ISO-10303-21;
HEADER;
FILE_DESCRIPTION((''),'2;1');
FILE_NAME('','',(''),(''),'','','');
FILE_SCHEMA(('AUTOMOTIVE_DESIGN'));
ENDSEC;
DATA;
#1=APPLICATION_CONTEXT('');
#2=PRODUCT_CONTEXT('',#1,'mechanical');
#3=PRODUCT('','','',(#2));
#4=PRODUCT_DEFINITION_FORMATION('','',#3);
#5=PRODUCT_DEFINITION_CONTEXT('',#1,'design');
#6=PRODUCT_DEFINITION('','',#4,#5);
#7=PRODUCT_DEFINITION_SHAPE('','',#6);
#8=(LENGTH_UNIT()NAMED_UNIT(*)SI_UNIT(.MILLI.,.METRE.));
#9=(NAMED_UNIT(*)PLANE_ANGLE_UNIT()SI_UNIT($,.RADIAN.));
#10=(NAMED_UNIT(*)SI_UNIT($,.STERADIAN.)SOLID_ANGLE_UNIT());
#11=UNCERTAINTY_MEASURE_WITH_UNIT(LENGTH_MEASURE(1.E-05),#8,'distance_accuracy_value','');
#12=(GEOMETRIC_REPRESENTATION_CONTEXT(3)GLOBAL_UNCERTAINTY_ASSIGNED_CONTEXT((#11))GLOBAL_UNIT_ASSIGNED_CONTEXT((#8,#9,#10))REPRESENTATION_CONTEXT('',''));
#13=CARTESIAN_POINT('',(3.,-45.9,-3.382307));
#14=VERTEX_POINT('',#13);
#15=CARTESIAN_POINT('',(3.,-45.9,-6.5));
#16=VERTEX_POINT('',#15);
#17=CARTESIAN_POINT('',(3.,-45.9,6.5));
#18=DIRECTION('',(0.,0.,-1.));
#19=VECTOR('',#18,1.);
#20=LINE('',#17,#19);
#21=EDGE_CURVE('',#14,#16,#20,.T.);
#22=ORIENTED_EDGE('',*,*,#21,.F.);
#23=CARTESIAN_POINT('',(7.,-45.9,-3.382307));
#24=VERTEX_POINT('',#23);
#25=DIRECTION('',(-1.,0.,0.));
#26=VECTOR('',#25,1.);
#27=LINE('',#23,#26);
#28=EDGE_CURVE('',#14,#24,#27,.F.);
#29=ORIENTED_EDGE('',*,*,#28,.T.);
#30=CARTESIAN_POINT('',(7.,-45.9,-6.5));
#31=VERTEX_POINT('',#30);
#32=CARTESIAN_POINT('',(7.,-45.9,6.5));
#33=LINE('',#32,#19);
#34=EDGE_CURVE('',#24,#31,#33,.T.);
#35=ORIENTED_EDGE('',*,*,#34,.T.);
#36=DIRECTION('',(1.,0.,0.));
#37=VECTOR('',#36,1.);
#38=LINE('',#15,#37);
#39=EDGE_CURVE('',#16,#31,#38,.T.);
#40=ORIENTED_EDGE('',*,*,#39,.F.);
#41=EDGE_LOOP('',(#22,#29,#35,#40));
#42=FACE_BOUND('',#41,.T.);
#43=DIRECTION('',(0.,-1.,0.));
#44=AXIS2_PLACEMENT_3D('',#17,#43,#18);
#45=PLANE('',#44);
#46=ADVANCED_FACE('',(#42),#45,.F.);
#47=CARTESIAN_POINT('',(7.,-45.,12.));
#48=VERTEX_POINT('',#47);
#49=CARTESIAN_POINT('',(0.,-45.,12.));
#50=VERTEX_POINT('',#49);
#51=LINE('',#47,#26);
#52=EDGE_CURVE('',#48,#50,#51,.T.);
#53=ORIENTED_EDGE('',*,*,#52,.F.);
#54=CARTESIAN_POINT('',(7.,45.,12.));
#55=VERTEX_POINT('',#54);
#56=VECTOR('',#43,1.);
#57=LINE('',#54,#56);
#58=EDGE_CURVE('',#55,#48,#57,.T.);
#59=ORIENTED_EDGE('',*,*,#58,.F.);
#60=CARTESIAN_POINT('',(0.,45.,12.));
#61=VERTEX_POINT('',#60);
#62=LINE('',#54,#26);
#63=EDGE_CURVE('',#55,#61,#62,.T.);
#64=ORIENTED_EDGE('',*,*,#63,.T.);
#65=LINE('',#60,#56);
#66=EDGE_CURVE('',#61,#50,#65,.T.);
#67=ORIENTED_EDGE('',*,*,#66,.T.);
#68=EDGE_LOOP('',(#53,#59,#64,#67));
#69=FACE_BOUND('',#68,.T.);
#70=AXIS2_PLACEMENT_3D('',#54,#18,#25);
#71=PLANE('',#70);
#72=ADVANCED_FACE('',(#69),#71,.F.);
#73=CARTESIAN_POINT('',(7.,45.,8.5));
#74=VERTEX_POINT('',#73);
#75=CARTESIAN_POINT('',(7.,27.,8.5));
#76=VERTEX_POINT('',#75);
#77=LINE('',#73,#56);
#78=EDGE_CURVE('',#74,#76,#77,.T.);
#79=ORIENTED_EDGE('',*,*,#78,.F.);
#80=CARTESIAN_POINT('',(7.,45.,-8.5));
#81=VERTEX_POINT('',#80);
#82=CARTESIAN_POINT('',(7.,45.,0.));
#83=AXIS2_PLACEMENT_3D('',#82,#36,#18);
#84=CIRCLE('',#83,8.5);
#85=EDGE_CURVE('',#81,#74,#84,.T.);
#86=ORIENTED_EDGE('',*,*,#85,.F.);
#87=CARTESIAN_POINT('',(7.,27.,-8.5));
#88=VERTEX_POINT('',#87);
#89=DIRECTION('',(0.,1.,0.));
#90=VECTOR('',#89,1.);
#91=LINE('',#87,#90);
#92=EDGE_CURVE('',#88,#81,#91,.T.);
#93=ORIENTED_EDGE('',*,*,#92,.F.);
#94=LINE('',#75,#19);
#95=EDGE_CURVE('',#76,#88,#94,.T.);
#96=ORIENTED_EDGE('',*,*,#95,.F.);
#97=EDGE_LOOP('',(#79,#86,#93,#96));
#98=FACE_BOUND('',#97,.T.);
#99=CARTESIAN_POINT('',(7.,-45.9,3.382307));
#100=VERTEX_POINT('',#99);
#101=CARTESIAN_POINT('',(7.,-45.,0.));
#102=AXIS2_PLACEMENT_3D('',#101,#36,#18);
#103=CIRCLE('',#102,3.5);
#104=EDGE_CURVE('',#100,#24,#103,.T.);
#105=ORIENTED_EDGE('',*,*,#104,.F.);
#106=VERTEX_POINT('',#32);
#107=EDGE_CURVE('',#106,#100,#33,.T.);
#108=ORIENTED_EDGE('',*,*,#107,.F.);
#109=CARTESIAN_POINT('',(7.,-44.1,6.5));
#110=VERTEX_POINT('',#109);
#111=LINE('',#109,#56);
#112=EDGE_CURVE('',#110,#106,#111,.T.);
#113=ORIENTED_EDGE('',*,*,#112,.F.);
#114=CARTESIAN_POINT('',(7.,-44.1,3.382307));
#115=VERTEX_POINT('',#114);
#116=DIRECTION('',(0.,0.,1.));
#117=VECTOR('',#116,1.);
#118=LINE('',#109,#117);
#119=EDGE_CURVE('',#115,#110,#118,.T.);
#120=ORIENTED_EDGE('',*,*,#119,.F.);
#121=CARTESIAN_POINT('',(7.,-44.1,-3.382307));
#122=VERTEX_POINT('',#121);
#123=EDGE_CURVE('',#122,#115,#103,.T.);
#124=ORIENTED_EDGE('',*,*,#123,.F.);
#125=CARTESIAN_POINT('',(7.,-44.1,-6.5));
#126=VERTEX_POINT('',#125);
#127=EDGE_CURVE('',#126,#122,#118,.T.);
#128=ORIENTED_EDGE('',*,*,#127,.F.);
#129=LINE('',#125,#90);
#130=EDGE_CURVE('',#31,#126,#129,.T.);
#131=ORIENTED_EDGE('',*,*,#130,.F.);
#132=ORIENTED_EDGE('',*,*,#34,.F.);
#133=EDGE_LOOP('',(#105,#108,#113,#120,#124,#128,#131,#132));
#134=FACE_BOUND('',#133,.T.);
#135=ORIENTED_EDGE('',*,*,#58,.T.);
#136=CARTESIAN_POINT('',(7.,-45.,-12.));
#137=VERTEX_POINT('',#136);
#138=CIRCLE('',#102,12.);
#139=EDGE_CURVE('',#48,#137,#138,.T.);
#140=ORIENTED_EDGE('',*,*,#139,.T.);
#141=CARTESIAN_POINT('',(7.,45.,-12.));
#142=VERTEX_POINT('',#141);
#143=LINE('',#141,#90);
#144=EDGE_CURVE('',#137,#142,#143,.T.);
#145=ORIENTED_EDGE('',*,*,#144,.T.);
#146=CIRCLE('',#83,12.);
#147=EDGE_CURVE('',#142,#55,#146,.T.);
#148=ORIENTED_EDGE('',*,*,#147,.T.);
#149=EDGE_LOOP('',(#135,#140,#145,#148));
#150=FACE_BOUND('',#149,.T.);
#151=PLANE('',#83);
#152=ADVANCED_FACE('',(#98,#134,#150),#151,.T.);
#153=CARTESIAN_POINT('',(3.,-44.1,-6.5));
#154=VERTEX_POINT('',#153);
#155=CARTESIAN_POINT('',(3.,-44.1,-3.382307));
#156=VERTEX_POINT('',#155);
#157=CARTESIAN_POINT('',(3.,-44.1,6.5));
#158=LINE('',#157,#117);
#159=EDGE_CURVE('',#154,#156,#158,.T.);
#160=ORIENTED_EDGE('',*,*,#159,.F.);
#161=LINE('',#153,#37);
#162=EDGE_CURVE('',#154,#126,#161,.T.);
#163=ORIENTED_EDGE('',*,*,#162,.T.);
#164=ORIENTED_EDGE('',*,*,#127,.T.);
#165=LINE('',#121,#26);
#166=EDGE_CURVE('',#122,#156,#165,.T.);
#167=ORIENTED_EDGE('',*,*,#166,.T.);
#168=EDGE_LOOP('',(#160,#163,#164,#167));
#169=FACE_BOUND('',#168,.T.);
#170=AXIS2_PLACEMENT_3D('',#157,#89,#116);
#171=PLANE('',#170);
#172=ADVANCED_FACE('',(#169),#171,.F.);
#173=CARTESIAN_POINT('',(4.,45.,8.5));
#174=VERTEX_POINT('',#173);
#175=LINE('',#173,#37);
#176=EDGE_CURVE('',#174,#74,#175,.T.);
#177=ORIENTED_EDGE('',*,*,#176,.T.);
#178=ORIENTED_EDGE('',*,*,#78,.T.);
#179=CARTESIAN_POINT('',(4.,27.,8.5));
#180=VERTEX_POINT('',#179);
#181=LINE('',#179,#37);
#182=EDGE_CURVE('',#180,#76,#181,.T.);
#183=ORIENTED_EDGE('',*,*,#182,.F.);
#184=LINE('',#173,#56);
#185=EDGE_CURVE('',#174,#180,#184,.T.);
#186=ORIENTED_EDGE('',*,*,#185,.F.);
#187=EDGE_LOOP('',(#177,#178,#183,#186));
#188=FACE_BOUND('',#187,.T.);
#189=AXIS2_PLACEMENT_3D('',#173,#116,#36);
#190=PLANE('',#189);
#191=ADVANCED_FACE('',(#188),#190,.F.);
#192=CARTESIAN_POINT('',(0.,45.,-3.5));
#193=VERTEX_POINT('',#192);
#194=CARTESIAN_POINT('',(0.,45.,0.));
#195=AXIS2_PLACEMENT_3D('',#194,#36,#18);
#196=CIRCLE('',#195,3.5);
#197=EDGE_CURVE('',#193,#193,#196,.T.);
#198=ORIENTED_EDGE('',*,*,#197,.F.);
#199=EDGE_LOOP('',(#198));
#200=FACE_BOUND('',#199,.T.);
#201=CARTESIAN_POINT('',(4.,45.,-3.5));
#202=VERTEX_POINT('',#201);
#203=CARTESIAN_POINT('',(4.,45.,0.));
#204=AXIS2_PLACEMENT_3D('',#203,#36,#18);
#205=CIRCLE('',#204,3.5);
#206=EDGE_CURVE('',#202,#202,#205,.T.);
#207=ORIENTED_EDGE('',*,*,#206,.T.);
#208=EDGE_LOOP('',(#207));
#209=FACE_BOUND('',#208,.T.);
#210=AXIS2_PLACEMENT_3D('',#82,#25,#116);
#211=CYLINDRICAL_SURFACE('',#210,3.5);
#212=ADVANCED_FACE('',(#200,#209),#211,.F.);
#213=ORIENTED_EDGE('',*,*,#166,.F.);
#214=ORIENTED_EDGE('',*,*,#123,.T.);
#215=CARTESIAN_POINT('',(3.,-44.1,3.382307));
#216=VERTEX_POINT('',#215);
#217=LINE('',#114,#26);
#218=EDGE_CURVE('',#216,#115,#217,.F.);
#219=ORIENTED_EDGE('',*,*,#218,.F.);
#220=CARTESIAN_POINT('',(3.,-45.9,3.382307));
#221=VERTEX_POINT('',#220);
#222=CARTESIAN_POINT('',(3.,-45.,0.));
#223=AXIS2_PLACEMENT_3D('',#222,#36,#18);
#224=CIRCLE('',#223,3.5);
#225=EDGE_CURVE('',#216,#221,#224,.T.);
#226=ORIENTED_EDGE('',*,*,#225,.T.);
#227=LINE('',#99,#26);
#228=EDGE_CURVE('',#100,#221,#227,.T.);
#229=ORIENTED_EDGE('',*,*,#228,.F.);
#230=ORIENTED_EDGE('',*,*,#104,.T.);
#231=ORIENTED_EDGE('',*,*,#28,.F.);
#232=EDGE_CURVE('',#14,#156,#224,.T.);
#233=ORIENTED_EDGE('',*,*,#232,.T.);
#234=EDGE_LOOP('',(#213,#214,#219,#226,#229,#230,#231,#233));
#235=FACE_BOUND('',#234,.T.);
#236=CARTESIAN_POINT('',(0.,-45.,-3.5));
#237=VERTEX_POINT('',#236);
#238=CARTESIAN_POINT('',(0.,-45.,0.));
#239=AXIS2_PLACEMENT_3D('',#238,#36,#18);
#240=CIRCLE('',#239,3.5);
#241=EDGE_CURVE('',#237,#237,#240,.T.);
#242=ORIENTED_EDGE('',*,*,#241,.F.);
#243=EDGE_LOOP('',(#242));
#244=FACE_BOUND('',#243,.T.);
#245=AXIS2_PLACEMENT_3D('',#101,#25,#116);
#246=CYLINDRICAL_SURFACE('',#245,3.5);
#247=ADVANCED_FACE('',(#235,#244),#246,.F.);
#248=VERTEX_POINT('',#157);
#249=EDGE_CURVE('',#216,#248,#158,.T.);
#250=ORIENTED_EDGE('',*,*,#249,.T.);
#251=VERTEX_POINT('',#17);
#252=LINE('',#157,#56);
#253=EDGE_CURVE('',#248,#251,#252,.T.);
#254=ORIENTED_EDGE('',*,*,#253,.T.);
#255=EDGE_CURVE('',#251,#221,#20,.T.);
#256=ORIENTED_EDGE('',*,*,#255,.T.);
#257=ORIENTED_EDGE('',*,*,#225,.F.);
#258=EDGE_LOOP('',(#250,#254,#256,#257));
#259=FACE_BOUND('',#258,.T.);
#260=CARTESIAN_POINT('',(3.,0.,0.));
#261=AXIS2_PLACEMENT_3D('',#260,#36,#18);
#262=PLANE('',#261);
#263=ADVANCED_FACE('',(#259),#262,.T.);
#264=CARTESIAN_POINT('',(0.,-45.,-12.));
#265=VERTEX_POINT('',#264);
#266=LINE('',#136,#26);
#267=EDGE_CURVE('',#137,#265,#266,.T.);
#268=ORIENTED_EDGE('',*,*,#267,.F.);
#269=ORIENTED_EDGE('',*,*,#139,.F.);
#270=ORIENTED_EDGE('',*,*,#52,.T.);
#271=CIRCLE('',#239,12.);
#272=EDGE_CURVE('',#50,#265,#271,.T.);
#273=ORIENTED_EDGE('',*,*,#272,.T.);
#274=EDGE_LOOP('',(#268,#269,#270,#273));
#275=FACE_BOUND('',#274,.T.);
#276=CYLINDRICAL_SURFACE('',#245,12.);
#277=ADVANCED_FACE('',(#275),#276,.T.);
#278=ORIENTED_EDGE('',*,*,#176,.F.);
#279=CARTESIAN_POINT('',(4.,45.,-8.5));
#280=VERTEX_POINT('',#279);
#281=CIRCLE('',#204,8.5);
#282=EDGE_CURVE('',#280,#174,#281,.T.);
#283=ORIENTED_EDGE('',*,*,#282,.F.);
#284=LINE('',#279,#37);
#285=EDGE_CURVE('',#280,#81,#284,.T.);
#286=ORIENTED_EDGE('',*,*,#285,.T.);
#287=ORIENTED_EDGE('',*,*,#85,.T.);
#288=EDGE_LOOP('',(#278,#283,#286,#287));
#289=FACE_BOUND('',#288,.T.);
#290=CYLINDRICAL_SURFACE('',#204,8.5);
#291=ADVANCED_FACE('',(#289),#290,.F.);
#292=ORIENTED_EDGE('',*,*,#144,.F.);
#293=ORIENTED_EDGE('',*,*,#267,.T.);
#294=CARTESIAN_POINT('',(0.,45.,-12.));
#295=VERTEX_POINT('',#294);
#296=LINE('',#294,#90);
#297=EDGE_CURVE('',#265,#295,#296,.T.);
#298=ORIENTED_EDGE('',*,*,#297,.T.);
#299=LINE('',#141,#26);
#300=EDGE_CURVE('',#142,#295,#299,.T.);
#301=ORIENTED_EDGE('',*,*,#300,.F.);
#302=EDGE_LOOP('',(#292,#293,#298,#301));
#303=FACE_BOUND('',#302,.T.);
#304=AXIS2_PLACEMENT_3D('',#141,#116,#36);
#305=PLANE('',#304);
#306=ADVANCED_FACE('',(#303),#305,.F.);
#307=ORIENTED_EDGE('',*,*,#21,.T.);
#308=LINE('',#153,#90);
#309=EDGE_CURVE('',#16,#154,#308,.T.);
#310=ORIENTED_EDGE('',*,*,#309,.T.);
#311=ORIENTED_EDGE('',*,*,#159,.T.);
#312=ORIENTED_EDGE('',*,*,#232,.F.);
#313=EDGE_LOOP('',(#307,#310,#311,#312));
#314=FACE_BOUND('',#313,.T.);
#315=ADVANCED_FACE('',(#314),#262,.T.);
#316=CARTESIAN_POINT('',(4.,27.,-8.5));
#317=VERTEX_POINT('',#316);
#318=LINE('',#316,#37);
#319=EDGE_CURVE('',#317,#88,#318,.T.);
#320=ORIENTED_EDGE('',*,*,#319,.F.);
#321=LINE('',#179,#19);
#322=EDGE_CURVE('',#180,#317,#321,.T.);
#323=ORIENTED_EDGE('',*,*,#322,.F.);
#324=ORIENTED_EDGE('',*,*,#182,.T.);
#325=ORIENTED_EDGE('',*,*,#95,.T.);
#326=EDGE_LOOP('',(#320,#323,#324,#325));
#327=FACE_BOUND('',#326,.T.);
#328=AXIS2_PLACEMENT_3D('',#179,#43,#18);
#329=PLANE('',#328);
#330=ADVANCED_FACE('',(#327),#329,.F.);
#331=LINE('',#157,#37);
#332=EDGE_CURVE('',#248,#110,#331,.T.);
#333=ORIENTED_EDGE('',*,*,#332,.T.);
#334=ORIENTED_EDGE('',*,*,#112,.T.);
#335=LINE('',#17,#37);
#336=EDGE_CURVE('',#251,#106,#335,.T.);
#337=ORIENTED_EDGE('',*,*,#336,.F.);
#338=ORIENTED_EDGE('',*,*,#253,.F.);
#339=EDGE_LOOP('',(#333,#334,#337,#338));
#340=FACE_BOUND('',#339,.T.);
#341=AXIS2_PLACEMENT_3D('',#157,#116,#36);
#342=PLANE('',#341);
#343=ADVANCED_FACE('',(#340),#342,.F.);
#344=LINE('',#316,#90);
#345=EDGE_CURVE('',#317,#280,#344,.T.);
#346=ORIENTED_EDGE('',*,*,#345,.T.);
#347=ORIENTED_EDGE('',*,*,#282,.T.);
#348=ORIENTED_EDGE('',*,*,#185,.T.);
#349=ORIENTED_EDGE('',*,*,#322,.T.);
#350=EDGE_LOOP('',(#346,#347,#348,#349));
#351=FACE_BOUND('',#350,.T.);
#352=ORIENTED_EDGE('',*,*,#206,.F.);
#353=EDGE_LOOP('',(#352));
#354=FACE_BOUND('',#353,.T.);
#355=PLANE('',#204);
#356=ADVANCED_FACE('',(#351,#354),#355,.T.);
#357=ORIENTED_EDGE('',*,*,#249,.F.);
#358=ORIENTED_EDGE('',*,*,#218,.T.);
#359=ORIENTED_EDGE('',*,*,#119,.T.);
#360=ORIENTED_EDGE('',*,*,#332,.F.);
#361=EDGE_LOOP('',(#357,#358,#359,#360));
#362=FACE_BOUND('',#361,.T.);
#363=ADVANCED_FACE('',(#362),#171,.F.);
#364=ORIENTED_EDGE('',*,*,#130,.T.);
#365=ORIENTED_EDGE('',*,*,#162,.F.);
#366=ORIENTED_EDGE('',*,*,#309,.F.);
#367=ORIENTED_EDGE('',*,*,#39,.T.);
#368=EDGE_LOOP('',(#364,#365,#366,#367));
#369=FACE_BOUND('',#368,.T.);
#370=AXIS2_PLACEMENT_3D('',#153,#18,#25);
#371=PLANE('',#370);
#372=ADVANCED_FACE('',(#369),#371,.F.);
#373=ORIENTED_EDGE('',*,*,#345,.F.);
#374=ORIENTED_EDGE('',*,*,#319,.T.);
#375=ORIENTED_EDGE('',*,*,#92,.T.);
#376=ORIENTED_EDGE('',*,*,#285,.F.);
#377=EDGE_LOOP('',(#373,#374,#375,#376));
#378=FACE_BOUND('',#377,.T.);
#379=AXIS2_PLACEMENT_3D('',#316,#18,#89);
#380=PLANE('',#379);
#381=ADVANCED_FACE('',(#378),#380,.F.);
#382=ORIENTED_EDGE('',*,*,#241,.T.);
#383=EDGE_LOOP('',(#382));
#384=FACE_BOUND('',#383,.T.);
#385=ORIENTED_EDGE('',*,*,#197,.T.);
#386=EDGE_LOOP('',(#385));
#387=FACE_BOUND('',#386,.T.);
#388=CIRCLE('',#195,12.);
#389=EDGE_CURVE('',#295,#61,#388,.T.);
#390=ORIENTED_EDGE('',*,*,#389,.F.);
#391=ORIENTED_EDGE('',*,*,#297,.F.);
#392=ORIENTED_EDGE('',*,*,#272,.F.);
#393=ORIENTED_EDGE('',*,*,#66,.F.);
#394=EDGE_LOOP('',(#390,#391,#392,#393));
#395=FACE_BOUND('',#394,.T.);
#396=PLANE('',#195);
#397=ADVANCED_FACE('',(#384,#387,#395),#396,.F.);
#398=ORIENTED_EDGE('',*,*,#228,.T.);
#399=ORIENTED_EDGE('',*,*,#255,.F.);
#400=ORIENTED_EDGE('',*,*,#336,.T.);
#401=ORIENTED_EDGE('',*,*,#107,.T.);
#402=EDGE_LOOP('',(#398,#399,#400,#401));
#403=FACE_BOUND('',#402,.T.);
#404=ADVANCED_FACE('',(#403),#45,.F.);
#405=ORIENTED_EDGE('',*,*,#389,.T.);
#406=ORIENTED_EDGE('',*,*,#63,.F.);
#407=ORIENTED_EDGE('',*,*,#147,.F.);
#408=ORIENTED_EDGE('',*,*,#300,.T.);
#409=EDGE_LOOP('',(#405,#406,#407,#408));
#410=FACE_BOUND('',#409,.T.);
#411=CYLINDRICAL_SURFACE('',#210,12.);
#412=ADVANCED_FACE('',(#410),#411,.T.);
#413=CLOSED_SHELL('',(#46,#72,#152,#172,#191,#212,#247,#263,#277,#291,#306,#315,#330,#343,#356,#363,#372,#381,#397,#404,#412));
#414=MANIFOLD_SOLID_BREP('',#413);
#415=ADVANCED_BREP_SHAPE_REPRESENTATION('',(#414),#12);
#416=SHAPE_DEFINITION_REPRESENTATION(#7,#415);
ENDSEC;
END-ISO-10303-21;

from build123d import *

# Parameters (mm, degrees)
SKETCH1_R           = 3.5
BOSS_EXTRUDE1_DEPTH = 7
CUT_EXTRUDE1_DEPTH  = 3
SKETCH3_W           = 13
SKETCH3_H           = 1.8
CUT_EXTRUDE2_DEPTH  = 4


with BuildPart() as part:
    # Sketch1 → Boss-Extrude1 (new body)
    with BuildSketch(Plane(origin=(0, 0, 0), x_dir=(0, 0, -1), z_dir=(1, 0, 0))):
        with BuildLine():
            Line((-12, 45), (-12, -45))
            ThreePointArc((-12, -45), (0, -57), (12, -45))
            Line((12, -45), (12, 45))
            ThreePointArc((12, 45), (0, 57), (-12, 45))
        make_face()
        with Locations((0, 45)):
            Circle(SKETCH1_R, mode=Mode.SUBTRACT)
        with Locations((0, -45)):
            Circle(SKETCH1_R, mode=Mode.SUBTRACT)
    extrude(amount=BOSS_EXTRUDE1_DEPTH)

    # Sketch2 → Cut-Extrude1 (cut)
    with BuildSketch(Plane(origin=(7, 0, 0), x_dir=(0, 0, -1), z_dir=(1, 0, 0))):
        with BuildLine():
            Line((-8.5, 45), (-8.5, 27))
            Line((-8.5, 27), (8.5, 27))
            Line((8.5, 27), (8.5, 45))
            ThreePointArc((8.5, 45), (0, 53.5), (-8.5, 45))
        make_face()
    extrude(amount=-CUT_EXTRUDE1_DEPTH, mode=Mode.SUBTRACT)

    # Sketch3 → Cut-Extrude2 (cut)
    with BuildSketch(Plane(origin=(7, 0, 0), x_dir=(0, 0, -1), z_dir=(1, 0, 0))):
        with Locations((0, -45)):
            Rectangle(SKETCH3_W, SKETCH3_H)
    extrude(amount=-CUT_EXTRUDE2_DEPTH, mode=Mode.SUBTRACT)


solid = part.part
